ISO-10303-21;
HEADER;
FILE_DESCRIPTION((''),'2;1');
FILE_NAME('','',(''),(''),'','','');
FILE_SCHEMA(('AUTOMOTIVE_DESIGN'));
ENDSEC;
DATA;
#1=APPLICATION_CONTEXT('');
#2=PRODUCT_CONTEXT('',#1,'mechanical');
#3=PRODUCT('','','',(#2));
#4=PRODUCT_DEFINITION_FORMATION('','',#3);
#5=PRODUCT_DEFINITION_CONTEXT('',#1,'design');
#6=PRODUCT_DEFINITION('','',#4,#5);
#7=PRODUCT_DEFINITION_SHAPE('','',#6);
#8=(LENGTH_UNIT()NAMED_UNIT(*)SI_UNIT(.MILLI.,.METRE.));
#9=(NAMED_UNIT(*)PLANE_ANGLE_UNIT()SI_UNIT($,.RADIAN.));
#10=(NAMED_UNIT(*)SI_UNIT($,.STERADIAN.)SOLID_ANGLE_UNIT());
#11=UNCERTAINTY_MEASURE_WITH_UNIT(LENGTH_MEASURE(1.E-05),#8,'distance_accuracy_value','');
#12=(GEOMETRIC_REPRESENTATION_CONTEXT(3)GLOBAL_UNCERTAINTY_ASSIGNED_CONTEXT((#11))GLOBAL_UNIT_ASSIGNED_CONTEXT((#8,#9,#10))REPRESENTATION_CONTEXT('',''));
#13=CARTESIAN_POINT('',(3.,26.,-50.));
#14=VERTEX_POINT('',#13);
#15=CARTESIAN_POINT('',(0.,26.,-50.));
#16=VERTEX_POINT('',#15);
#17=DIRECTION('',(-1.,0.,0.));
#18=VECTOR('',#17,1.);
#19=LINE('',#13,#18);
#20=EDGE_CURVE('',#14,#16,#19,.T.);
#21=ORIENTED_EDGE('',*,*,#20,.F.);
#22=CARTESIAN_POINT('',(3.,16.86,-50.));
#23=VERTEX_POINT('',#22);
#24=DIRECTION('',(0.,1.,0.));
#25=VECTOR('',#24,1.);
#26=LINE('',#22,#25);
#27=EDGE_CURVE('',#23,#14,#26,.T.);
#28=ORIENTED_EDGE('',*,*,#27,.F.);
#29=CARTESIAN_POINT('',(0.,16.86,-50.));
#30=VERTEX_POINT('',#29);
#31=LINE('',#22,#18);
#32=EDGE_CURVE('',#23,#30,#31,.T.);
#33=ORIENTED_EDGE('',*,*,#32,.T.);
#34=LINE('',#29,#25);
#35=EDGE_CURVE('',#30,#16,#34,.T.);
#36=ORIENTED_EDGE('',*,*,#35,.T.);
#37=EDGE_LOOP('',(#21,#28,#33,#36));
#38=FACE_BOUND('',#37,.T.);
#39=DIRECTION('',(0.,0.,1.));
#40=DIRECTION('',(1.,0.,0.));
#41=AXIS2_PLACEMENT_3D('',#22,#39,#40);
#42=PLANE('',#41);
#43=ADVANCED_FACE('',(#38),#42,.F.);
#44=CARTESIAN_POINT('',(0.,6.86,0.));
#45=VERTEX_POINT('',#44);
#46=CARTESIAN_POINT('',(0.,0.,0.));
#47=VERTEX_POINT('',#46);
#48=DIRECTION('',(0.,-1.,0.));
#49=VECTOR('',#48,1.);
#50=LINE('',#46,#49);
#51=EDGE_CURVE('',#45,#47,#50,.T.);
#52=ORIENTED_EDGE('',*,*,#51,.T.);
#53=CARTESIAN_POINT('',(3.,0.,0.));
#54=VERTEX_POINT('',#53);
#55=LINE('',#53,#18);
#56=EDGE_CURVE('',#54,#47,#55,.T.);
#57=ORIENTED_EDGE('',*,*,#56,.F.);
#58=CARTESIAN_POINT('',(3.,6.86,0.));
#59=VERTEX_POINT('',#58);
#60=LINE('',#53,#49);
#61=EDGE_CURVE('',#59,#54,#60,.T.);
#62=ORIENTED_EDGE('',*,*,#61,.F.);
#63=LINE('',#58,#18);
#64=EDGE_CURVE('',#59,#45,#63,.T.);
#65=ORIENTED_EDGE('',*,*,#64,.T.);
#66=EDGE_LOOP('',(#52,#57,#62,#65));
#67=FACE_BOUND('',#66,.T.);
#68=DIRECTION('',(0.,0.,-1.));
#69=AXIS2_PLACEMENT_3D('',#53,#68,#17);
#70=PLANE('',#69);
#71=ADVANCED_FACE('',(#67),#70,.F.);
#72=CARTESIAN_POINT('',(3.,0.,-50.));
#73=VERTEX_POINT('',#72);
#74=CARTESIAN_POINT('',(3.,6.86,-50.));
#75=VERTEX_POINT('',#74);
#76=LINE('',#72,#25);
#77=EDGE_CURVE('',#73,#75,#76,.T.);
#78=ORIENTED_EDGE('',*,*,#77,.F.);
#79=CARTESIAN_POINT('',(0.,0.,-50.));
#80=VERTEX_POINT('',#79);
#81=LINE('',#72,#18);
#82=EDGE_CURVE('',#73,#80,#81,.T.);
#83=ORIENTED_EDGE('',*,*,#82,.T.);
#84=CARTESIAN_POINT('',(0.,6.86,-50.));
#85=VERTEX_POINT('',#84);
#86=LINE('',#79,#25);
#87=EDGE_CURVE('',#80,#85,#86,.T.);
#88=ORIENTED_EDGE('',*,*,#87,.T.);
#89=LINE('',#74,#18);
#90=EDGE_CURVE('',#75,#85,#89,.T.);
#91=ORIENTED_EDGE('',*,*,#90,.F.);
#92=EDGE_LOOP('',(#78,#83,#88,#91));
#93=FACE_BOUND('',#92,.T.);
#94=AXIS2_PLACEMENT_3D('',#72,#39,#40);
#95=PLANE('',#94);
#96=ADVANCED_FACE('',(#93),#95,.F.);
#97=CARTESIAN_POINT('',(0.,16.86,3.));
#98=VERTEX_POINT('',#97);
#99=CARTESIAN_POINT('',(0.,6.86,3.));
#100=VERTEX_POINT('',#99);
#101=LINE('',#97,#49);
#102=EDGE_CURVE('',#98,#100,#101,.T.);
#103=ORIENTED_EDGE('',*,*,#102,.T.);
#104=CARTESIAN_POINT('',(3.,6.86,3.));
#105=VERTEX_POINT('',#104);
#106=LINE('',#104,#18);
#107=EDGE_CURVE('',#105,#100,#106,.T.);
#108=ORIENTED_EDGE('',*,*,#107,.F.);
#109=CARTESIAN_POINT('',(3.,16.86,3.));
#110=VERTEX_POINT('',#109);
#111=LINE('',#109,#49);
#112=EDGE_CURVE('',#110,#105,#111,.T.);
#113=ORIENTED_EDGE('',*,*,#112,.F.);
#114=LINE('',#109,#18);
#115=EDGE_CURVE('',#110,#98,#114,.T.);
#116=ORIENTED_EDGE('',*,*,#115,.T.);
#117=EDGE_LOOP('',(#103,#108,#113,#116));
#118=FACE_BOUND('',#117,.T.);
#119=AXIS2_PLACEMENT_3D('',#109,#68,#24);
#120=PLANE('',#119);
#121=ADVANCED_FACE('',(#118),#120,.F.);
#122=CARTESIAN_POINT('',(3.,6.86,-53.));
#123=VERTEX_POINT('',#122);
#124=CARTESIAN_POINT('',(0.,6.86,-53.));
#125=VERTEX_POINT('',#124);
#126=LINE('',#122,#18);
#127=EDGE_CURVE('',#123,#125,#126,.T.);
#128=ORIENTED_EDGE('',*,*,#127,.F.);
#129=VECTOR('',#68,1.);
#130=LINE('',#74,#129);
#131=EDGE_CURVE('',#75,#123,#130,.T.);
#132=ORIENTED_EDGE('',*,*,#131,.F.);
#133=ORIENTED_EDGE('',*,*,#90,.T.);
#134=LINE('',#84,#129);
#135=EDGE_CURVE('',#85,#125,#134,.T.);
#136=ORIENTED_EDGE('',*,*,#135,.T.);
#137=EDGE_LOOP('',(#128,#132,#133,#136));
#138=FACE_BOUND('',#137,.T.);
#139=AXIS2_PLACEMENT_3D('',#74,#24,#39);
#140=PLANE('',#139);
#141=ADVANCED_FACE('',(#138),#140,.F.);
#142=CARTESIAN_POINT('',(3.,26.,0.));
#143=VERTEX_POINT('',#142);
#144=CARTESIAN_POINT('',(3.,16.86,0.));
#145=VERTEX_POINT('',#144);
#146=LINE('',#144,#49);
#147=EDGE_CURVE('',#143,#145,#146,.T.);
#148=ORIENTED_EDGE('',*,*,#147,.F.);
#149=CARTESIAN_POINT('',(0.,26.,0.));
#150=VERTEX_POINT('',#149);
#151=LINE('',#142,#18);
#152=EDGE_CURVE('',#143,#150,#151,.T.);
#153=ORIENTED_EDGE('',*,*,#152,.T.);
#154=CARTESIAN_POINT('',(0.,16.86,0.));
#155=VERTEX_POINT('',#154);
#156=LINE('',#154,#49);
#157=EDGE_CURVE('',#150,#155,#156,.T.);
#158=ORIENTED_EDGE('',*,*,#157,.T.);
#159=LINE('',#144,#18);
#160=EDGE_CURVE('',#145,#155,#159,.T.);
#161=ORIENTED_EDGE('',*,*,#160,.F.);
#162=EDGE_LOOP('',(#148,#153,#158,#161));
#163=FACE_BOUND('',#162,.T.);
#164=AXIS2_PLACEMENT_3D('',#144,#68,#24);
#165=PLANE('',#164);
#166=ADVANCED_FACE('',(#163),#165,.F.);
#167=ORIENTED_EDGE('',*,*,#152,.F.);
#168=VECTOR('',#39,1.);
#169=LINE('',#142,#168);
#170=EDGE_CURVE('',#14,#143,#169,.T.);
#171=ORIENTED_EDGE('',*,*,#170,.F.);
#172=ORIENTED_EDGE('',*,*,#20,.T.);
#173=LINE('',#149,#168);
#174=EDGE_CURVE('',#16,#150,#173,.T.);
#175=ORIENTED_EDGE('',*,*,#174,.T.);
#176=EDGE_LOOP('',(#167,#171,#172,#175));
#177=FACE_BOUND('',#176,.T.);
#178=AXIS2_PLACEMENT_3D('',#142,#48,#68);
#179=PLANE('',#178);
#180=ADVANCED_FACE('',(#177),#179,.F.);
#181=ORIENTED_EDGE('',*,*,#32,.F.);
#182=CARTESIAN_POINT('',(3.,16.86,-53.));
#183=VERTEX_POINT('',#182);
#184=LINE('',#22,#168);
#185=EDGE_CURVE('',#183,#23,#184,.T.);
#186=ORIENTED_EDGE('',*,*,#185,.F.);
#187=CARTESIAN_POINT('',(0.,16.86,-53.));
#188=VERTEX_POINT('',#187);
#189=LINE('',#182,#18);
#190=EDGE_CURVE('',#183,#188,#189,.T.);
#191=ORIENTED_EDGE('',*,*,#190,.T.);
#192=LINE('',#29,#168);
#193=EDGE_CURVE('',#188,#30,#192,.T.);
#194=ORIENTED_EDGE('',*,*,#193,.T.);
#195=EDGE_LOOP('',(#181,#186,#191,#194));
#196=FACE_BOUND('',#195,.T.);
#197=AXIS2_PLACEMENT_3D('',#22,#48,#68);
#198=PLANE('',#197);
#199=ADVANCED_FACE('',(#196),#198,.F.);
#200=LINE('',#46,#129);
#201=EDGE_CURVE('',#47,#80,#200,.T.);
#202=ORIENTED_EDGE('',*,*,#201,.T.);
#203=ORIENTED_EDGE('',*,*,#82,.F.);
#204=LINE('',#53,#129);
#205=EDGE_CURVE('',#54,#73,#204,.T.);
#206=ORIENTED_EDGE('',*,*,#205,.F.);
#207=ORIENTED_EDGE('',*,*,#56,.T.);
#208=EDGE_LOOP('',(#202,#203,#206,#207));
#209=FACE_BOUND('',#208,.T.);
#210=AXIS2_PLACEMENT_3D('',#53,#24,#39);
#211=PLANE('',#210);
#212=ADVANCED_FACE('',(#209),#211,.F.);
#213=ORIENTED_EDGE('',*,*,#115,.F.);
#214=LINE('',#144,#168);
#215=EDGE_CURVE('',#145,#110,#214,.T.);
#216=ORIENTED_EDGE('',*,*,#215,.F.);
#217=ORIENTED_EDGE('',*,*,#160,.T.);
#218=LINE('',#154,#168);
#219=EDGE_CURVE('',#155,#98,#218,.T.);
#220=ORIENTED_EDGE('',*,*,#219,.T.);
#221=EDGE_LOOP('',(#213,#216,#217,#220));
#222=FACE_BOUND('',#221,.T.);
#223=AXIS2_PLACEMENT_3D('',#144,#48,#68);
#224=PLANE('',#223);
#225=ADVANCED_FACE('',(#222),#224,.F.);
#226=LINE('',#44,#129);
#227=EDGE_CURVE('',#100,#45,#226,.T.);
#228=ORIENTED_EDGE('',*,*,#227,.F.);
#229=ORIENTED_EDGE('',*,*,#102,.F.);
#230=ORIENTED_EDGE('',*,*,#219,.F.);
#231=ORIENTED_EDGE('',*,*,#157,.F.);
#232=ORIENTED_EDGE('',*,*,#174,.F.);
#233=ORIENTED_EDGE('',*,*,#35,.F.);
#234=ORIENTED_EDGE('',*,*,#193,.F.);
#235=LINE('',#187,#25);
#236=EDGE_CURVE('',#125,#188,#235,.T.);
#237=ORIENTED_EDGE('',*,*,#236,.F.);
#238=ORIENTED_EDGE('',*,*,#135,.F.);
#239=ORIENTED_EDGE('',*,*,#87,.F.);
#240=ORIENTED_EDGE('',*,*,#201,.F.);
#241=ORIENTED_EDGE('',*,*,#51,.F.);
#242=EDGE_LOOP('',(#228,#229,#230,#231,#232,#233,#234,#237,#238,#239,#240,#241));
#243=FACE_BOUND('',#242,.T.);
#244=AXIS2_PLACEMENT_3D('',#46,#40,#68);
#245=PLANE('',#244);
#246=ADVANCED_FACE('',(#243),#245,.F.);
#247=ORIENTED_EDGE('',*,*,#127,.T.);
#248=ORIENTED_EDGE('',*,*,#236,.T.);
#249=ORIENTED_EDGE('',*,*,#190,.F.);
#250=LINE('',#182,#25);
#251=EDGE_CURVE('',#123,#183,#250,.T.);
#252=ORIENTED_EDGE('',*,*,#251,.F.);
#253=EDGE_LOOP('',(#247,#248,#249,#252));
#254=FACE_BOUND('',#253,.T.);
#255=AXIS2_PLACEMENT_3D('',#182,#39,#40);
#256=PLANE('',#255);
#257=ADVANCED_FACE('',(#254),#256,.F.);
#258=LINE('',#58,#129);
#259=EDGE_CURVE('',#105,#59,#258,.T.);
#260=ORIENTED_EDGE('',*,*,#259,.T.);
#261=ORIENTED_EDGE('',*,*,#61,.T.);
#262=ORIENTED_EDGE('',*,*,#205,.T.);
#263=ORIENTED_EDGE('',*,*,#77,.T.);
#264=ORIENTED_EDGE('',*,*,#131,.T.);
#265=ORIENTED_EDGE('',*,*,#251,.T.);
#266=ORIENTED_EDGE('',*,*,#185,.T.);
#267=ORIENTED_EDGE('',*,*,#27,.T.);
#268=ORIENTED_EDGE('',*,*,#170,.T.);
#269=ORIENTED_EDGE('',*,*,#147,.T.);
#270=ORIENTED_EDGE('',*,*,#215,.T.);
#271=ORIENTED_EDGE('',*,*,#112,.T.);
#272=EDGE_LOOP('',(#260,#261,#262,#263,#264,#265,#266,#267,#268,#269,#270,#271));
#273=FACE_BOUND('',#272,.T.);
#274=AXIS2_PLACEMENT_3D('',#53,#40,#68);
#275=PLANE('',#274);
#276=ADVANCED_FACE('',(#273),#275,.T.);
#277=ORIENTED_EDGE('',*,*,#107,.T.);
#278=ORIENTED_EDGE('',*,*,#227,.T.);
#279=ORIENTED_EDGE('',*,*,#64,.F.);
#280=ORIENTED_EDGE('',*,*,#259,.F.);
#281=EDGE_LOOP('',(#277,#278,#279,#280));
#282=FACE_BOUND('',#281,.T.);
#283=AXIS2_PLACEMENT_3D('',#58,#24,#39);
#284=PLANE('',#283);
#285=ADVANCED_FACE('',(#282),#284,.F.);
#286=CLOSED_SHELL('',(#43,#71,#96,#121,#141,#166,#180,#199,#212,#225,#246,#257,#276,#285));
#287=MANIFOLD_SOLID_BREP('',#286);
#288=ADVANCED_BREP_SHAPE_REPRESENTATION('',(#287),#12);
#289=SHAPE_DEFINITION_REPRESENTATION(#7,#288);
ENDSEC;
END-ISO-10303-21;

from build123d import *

# Parameters (mm, degrees)
BOSS_EXTRUDE1_DEPTH = 3


with BuildPart() as part:
    # Sketch1 → Boss-Extrude1 (new body)
    with BuildSketch(Plane(origin=(0, 0, 0), x_dir=(0, 0, -1), z_dir=(1, 0, 0))):
        Polygon((0, 0), (50, 0), (50, 6.86), (53, 6.86), (53, 16.86), (50, 16.86), (50, 26), (0, 26), (0, 16.86), (-3, 16.86), (-3, 6.86), (0, 6.86), align=None)
    extrude(amount=BOSS_EXTRUDE1_DEPTH)


solid = part.part
